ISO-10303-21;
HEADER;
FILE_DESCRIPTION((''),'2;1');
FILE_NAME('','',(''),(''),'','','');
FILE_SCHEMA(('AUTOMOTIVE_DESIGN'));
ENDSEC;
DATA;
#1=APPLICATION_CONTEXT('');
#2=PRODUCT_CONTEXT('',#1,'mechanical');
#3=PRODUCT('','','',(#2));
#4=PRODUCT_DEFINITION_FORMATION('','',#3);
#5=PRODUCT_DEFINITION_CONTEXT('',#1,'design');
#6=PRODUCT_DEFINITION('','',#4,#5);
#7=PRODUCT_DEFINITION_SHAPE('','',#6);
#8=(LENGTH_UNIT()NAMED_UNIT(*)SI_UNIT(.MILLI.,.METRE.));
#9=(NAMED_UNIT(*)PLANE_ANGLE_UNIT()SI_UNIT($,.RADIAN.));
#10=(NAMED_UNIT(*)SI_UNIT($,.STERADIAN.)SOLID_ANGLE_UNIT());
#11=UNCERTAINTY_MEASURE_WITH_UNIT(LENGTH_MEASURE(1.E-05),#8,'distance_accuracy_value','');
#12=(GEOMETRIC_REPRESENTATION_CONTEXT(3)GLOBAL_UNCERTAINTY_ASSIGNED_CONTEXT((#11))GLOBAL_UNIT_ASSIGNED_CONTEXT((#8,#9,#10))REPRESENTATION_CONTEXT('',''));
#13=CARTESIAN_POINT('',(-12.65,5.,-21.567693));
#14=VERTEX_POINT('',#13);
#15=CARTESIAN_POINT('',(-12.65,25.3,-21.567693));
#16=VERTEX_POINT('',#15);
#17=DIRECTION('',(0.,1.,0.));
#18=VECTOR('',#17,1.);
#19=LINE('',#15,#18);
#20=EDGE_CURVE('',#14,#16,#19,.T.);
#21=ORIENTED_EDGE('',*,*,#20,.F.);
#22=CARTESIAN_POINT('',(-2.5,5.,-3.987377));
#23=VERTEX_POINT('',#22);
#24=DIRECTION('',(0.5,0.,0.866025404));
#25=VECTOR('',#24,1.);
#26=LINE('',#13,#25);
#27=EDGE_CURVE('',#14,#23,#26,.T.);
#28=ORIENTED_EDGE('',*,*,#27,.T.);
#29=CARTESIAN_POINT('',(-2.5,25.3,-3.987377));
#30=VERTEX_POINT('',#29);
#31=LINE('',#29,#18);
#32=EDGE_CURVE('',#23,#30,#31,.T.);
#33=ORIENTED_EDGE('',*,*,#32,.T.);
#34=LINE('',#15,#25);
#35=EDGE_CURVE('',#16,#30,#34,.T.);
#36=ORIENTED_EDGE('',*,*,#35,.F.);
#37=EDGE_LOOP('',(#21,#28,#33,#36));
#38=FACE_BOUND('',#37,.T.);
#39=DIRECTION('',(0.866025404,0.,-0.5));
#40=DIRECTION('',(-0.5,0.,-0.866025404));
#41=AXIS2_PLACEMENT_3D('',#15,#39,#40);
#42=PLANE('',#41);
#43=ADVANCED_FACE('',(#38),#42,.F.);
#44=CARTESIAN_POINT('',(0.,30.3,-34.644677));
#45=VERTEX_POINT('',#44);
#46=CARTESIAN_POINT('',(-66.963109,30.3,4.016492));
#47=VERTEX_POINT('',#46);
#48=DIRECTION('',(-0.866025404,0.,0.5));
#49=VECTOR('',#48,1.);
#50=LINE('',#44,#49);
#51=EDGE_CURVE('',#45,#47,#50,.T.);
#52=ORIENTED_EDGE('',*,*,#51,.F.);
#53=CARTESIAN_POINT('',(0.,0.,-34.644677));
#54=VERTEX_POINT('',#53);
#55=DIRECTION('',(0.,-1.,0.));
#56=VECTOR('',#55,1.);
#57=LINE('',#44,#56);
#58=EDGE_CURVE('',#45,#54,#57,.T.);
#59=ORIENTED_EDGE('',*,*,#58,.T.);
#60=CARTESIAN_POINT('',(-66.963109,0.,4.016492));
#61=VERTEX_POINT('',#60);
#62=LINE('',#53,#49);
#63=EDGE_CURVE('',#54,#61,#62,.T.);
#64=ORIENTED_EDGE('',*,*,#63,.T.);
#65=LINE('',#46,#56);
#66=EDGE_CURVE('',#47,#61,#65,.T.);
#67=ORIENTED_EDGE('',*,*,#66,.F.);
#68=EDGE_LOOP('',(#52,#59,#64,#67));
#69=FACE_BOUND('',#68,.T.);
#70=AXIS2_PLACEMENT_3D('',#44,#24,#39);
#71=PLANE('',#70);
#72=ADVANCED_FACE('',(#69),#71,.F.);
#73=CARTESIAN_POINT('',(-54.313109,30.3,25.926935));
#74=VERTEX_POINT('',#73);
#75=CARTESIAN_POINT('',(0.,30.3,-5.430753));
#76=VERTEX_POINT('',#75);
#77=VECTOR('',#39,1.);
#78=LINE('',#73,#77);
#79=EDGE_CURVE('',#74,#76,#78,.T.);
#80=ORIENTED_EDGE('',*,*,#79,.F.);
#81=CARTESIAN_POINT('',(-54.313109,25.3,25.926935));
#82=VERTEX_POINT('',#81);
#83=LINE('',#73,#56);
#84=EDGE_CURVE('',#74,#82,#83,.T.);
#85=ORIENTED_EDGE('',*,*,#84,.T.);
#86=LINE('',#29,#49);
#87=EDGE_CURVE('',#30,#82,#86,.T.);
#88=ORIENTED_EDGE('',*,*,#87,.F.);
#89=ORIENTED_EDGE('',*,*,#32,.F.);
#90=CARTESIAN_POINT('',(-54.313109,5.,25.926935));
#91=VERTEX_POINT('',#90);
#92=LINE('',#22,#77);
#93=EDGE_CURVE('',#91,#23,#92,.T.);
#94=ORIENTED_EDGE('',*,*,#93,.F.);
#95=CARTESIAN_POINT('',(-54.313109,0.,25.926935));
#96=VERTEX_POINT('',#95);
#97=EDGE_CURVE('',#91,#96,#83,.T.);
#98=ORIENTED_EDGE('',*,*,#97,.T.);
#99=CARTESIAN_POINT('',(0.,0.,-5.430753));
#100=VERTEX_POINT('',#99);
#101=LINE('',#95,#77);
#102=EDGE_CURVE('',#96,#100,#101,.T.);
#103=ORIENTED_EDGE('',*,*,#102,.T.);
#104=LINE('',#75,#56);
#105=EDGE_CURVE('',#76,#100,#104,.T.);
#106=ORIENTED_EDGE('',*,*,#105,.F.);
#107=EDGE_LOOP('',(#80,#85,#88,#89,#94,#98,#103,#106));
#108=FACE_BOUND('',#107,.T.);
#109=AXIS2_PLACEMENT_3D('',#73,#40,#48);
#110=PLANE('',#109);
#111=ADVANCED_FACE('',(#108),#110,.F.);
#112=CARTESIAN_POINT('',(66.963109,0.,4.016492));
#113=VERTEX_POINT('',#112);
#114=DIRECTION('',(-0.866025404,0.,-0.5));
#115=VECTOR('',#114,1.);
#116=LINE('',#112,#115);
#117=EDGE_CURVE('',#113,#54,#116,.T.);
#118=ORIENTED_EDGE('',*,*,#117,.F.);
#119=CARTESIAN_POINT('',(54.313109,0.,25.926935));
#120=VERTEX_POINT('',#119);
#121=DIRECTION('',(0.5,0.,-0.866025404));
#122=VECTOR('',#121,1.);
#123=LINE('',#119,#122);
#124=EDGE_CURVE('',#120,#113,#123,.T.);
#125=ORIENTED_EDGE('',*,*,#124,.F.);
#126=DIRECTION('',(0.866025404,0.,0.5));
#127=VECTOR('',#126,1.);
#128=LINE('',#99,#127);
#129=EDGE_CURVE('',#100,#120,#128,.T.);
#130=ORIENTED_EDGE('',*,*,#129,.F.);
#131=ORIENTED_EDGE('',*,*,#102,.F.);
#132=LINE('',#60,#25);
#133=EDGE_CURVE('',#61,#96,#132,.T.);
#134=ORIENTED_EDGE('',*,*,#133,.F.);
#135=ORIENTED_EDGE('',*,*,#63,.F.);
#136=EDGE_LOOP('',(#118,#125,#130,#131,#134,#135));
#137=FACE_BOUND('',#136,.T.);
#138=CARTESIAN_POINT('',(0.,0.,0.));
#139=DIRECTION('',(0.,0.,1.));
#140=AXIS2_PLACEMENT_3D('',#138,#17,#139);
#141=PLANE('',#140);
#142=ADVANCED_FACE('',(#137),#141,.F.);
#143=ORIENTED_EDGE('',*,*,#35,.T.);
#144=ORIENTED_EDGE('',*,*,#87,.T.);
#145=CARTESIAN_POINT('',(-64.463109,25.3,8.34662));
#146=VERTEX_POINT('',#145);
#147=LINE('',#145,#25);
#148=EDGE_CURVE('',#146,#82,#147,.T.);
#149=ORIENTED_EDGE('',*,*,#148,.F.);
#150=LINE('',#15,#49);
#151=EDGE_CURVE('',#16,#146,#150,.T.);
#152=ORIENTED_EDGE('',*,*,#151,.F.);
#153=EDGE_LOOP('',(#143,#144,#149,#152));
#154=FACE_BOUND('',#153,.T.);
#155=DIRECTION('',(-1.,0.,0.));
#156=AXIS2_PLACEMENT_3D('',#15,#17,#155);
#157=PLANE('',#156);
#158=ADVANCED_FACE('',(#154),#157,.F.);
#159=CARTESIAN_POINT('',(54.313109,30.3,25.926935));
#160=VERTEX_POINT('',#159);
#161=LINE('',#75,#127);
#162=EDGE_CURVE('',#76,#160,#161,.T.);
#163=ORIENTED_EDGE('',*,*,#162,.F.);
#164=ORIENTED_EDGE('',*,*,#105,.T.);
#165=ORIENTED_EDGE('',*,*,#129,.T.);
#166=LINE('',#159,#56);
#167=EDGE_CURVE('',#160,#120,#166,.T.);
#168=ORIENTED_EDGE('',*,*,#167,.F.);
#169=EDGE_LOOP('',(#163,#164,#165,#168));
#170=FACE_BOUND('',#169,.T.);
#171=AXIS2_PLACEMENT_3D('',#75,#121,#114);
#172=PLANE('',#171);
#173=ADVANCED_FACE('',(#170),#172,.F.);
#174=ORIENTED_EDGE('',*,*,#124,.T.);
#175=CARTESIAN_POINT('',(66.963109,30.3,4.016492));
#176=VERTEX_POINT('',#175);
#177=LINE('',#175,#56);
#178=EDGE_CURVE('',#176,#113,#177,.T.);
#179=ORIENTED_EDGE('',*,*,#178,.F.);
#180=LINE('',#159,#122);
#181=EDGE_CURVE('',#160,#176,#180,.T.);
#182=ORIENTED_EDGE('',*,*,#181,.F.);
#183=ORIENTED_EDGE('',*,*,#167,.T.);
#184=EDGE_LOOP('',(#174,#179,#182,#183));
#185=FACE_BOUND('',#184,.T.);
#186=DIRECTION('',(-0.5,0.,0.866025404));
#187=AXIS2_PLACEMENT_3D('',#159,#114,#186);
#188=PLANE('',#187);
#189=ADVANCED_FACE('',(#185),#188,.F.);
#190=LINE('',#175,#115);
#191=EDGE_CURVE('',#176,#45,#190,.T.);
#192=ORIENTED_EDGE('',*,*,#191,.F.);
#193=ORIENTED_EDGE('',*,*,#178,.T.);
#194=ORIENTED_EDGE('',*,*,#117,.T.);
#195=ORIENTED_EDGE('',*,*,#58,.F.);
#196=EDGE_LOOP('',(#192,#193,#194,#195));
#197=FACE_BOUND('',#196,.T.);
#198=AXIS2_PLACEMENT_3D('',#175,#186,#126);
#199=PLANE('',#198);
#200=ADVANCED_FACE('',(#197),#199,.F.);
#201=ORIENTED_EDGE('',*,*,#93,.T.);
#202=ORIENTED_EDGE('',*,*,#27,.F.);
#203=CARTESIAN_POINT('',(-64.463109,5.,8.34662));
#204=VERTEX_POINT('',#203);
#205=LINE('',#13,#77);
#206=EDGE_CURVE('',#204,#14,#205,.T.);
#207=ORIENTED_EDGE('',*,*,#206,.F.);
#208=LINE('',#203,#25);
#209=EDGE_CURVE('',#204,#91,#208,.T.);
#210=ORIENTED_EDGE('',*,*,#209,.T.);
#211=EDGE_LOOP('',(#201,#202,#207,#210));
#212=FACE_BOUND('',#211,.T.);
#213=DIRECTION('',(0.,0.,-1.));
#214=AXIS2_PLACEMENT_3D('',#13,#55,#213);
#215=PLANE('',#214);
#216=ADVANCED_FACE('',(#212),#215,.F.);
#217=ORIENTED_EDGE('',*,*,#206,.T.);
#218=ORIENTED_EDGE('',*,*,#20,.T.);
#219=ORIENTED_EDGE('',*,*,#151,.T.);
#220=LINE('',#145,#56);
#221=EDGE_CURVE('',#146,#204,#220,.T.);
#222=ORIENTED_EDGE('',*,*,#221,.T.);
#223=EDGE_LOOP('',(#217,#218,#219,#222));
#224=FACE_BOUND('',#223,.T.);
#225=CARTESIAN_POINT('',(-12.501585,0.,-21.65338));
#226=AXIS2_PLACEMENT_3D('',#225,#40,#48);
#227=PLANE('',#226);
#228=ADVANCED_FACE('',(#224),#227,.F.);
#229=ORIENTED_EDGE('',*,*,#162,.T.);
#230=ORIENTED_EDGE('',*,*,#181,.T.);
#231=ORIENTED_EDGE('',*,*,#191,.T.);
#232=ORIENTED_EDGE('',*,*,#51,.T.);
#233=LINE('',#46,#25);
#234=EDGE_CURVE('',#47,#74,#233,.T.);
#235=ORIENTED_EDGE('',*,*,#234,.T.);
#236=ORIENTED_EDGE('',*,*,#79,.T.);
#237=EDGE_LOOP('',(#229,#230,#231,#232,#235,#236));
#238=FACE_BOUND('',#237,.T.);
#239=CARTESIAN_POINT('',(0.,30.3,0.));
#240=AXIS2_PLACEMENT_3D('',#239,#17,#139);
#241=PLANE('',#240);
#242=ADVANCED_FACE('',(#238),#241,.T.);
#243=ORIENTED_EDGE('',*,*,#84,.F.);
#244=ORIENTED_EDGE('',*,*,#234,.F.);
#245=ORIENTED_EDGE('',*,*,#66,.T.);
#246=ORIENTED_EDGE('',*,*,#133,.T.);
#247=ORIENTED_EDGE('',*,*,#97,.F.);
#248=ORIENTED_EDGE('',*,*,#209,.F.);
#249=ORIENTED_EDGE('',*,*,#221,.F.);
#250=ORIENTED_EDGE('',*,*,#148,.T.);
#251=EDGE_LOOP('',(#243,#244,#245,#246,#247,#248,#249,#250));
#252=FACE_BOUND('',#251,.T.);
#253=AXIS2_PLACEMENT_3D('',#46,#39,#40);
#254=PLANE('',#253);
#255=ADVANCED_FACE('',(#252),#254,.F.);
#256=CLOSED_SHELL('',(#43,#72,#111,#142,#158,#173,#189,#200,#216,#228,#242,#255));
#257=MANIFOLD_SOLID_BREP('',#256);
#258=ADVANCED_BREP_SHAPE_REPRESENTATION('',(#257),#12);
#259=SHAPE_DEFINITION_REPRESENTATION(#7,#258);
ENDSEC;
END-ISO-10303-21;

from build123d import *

# Parameters (mm, degrees)
BOSS_EXTRUDE3_DEPTH = 30.3
SKETCH8_W           = 59.828625185
SKETCH8_H           = 20.3
CUT_EXTRUDE5_DEPTH  = 20.3


with BuildPart() as part:
    # Sketch7 → Boss-Extrude3 (new body)
    with BuildSketch(Plane(origin=(0, 0, 0), x_dir=(1, 0, 0), z_dir=(0, 1, 0))):
        Polygon((-66.963109284, -4.016492488), (-54.313109284, -25.926935204), (0, 5.430753062), (54.313109284, -25.926935204), (66.963109284, -4.016492488), (0, 34.644676683), align=None)
    extrude(amount=BOSS_EXTRUDE3_DEPTH)

    # Sketch8 → Cut-Extrude5 (cut)
    with BuildSketch(Plane(origin=(-2.351585057, 0, -4.073064796), x_dir=(0.8660254037844386, 0, -0.5000000000000003), z_dir=(0.5000000000000002, 0, 0.8660254037844385))):
        with Locations((-30.085687408, 15.15)):
            Rectangle(SKETCH8_W, SKETCH8_H)
    extrude(amount=-CUT_EXTRUDE5_DEPTH, mode=Mode.SUBTRACT)


solid = part.part
